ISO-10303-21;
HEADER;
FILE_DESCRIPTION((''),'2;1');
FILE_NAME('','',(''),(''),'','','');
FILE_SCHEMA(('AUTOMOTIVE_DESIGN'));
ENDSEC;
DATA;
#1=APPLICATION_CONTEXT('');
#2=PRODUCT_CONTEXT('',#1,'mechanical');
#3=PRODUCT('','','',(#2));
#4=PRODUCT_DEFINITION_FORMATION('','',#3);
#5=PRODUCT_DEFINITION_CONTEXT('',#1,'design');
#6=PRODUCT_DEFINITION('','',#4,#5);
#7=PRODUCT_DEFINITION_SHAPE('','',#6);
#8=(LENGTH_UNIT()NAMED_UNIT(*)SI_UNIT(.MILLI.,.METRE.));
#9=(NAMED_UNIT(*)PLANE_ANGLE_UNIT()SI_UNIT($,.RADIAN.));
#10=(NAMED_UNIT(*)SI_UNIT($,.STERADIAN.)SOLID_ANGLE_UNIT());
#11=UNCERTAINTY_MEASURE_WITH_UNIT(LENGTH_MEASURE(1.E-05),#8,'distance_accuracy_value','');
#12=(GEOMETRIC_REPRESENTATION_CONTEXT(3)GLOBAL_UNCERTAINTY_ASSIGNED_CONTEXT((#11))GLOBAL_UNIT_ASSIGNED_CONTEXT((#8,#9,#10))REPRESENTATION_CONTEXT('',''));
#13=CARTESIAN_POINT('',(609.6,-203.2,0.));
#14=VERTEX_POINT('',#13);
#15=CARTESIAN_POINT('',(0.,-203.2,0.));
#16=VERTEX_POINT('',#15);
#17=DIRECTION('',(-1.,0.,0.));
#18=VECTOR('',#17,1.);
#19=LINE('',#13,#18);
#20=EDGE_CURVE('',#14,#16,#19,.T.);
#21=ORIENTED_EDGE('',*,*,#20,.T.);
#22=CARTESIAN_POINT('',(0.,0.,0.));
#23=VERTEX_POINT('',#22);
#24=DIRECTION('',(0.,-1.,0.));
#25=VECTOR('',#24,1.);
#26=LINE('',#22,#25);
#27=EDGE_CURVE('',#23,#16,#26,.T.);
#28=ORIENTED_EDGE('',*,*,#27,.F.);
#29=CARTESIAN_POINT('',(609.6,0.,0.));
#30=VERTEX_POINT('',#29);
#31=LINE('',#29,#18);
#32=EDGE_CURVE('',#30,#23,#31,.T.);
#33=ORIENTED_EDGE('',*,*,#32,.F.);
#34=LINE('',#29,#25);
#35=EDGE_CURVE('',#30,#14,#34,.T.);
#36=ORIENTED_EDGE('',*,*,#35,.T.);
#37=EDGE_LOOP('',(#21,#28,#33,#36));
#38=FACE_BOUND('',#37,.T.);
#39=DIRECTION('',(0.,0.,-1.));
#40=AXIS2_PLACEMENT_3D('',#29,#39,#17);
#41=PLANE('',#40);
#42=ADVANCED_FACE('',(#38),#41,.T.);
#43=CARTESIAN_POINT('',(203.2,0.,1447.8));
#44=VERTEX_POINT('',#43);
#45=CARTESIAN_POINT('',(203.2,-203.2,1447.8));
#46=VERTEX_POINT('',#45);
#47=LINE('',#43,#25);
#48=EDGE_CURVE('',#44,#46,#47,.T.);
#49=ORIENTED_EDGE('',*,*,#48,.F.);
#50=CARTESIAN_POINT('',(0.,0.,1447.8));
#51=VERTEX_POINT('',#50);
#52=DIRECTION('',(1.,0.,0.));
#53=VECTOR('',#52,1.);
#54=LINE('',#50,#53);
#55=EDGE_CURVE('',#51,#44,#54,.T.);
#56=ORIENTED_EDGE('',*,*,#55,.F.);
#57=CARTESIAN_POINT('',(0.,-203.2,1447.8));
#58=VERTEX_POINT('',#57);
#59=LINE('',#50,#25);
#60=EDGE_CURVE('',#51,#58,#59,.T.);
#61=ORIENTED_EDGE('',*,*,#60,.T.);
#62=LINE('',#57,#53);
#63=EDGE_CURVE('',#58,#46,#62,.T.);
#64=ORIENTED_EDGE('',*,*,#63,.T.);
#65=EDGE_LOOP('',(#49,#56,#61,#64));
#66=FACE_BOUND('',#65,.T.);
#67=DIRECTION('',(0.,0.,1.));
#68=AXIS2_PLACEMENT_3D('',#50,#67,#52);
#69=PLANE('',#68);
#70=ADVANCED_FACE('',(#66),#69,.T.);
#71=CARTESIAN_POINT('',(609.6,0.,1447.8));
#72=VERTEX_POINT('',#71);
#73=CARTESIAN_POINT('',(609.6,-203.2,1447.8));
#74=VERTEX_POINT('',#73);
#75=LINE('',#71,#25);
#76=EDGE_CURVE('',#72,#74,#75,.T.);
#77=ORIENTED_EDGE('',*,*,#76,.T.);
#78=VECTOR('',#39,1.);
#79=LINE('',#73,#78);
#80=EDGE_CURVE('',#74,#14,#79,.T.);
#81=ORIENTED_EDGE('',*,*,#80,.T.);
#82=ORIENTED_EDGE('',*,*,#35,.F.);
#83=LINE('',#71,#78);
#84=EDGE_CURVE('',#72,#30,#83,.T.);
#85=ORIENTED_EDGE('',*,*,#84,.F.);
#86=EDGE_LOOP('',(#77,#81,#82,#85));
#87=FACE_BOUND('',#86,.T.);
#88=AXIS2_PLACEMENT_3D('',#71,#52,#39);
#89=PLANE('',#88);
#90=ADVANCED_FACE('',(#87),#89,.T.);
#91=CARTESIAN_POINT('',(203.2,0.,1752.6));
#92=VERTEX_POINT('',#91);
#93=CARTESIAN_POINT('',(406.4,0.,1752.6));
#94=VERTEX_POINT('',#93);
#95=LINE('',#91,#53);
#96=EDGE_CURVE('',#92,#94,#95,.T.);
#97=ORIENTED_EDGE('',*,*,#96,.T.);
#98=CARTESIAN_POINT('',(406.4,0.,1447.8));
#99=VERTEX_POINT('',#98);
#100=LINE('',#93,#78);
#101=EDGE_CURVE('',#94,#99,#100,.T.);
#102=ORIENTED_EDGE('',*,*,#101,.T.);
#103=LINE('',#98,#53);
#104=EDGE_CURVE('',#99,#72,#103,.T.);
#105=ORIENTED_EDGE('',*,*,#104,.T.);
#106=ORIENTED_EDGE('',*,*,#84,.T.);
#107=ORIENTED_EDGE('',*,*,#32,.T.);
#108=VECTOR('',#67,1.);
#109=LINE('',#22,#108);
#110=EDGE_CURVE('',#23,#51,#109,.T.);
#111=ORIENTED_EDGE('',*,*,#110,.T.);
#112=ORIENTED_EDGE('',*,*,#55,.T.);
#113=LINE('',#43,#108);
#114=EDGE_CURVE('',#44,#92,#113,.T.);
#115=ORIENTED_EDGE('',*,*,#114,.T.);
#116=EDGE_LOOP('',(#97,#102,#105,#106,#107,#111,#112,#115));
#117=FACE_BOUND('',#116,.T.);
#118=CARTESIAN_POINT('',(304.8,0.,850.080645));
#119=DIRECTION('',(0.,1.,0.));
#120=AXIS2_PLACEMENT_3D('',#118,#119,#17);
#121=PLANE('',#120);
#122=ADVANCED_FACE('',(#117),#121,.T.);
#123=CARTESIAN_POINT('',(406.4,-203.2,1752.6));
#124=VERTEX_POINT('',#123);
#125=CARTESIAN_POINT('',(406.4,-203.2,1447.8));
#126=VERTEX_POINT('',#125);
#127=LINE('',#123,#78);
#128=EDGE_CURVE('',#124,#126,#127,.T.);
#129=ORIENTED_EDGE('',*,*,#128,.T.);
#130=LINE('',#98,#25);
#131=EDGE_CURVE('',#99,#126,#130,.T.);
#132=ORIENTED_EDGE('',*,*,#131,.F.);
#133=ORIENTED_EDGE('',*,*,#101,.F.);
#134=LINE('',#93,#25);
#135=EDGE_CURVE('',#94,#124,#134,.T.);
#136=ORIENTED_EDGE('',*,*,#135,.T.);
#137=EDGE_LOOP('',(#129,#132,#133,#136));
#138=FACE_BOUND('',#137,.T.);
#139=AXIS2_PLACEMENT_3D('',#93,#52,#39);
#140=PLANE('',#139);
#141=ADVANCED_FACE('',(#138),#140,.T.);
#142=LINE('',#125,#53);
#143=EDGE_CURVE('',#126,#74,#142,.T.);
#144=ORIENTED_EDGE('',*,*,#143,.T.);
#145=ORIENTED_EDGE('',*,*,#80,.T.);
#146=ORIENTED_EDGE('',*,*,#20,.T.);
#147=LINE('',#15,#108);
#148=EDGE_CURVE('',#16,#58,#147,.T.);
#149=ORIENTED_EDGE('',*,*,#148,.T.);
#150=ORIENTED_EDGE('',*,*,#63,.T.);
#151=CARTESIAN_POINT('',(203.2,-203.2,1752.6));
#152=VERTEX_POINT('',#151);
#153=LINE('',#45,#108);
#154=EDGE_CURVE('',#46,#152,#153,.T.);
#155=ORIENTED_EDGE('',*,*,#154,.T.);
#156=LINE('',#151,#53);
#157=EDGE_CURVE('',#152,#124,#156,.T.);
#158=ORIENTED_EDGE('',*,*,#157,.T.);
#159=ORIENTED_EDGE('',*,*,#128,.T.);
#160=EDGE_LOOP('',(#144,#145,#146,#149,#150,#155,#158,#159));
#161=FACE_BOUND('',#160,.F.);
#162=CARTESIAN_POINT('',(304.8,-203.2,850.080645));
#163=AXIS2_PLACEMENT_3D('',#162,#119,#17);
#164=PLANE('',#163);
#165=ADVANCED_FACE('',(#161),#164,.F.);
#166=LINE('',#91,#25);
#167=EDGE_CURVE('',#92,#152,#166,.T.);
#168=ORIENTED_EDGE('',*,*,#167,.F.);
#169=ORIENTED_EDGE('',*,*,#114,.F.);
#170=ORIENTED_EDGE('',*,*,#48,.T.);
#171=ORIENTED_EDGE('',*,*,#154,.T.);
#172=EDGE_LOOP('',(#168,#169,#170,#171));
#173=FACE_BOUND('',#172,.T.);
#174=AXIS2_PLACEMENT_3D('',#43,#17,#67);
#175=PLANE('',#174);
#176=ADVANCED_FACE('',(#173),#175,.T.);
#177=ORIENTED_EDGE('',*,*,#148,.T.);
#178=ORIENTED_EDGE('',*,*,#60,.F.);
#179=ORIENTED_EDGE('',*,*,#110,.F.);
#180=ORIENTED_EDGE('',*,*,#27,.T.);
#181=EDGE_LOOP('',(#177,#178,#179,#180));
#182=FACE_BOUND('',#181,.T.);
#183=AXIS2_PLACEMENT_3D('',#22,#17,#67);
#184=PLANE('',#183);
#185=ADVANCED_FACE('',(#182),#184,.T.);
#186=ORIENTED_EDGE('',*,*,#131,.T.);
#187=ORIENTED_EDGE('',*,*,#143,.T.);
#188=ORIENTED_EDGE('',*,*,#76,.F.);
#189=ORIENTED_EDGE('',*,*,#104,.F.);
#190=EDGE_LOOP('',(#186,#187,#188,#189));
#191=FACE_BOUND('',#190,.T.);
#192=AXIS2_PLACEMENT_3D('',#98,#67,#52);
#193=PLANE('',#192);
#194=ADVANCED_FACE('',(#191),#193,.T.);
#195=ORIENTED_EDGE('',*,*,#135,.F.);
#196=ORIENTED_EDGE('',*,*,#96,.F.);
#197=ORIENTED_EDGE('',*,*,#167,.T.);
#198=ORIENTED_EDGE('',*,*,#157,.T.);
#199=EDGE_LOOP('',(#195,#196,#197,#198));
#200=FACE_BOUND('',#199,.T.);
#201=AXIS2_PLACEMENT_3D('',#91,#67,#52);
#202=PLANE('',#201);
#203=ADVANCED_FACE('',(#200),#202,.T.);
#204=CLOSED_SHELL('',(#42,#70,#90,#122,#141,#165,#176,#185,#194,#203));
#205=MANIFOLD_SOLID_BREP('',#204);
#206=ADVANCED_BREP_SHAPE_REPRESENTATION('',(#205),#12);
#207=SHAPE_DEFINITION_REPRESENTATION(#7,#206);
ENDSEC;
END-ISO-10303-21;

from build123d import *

# Parameters (mm, degrees)
PAD_DEPTH = 203.2


with BuildPart() as part:
    # Sketch → Pad (new body)
    with BuildSketch(Plane.XZ):
        Polygon((0, 0), (0, 1447.8), (203.2, 1447.8), (203.2, 1752.6), (406.4, 1752.6), (406.4, 1447.8), (609.6, 1447.8), (609.6, 0), align=None)
    extrude(amount=PAD_DEPTH)


solid = part.part
